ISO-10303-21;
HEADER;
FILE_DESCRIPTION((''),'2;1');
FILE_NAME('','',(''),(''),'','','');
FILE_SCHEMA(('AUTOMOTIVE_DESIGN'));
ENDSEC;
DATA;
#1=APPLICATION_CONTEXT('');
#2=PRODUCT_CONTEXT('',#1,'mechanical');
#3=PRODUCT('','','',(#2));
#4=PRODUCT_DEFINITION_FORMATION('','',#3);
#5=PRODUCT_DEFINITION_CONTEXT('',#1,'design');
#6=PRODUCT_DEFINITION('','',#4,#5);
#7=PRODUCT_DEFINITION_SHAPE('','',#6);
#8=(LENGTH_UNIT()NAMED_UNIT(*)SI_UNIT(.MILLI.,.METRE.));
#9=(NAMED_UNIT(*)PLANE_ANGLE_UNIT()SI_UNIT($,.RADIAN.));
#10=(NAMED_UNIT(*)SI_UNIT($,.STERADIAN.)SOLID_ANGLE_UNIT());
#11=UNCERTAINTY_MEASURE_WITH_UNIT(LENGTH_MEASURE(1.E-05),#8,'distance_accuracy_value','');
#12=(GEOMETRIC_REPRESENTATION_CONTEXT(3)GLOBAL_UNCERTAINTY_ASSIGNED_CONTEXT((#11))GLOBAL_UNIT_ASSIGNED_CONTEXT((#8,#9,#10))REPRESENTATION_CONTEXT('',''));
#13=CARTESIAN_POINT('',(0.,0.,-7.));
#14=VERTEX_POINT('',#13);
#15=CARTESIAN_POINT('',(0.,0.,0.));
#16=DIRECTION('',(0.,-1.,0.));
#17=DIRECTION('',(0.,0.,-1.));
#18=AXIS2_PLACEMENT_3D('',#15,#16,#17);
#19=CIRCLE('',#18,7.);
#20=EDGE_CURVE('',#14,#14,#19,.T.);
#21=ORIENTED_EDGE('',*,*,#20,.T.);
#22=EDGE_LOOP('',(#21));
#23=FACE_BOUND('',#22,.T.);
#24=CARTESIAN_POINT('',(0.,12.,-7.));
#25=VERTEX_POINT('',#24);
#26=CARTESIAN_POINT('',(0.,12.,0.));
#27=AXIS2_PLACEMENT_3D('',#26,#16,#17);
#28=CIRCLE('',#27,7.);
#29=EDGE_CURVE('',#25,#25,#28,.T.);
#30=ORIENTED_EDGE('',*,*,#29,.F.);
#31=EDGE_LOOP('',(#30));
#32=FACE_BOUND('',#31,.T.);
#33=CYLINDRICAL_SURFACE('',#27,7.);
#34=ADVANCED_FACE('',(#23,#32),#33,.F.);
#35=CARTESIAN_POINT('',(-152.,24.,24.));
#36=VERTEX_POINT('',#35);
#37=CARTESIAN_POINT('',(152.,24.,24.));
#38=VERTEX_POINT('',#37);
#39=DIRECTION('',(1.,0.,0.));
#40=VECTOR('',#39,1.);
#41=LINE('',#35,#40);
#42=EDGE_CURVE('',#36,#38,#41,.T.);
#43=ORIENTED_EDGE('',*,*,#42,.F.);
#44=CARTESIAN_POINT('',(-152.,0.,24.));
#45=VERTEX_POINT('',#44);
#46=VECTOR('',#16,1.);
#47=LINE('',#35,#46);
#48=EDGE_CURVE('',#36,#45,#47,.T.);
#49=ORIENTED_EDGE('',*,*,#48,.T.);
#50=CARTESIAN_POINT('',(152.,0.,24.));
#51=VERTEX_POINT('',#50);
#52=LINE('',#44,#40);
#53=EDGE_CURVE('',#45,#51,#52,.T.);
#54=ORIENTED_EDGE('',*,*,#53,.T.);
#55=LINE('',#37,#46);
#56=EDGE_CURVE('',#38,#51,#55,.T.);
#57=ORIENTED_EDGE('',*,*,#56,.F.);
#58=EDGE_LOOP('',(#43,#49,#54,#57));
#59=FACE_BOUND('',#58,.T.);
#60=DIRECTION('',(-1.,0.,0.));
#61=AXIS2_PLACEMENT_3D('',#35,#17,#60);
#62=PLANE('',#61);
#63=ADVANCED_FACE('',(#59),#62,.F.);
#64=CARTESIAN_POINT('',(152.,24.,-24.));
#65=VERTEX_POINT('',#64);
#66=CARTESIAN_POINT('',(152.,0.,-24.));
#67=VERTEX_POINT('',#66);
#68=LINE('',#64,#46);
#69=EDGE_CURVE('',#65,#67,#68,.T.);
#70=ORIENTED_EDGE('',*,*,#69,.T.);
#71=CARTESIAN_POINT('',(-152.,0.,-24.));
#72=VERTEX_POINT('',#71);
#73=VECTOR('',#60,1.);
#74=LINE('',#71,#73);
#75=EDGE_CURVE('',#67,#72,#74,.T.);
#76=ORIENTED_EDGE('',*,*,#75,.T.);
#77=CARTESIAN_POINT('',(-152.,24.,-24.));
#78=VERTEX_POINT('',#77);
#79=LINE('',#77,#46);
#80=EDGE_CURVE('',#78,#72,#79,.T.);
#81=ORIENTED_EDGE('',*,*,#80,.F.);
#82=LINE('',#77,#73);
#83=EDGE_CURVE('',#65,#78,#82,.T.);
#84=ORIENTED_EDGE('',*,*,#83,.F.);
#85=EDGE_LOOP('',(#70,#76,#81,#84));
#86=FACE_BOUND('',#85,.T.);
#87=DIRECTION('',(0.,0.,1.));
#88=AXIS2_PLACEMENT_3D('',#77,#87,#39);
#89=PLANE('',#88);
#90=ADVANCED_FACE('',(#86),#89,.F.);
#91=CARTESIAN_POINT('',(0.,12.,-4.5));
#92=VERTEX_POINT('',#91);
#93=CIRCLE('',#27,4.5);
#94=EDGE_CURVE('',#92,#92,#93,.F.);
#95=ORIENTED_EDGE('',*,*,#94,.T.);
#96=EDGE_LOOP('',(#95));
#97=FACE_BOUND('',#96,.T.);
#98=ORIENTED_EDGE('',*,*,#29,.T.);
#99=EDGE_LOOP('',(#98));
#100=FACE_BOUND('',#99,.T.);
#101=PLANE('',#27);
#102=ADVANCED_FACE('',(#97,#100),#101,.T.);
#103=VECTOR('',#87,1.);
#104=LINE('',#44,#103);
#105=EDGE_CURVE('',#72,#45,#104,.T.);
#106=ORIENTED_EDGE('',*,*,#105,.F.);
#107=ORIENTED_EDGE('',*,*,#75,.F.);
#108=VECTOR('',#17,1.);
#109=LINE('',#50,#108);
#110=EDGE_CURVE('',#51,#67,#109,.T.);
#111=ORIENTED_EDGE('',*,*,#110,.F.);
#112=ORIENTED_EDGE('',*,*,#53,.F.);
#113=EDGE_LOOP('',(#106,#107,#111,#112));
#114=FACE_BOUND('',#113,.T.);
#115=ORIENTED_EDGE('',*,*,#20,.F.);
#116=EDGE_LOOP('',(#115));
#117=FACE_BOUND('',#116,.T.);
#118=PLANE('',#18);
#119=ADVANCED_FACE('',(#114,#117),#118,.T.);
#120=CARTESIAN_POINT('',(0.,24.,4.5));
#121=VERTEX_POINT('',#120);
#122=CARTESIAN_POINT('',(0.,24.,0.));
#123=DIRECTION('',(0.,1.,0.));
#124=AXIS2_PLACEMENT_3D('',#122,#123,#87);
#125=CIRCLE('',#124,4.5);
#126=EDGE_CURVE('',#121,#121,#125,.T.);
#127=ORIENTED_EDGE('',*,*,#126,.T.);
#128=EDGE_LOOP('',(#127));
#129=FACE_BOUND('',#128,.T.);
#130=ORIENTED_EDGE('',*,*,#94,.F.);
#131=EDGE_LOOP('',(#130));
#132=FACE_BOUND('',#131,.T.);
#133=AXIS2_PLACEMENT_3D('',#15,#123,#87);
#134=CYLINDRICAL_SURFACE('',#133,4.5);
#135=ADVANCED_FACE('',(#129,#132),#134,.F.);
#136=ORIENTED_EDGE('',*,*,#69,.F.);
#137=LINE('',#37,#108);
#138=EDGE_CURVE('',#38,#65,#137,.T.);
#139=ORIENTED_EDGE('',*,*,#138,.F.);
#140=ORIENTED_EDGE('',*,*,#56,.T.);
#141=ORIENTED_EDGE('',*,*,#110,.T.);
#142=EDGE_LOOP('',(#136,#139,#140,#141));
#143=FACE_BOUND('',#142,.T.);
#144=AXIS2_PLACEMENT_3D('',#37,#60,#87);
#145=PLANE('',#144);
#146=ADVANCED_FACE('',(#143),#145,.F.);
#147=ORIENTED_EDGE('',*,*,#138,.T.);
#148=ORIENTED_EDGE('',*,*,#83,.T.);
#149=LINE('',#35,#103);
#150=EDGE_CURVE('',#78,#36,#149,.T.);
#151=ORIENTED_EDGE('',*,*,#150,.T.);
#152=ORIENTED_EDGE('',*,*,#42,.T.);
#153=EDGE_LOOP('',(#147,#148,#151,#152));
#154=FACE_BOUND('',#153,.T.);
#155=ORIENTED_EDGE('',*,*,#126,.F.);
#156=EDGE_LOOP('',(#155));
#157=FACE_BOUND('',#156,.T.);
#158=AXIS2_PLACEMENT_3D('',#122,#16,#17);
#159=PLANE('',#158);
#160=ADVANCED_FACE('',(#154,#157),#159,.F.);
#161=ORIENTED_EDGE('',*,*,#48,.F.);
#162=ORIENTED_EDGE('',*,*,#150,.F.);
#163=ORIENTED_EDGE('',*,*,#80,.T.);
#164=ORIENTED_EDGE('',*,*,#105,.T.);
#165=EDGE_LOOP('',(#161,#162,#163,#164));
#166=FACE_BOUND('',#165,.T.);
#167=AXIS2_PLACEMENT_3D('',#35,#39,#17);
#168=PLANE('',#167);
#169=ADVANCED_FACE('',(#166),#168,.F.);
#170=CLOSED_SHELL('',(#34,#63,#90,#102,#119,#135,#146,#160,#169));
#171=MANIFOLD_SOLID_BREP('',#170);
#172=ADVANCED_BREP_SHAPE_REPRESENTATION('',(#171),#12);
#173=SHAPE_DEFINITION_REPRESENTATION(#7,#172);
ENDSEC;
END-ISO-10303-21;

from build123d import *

# Parameters (mm, degrees)
ESQUISSE1_W             = 304
ESQUISSE1_H             = 48
BOSS_EXTRU_1_DEPTH      = 24
ESQUISSE2_R             = 4.5
ENL_V_MAT_EXTRU_1_DEPTH = 156.743378671
ESQUISSE3_R             = 7
ENL_V_MAT_EXTRU_2_DEPTH = 12


with BuildPart() as part:
    # Esquisse1 → Boss.-Extru.1 (new body)
    with BuildSketch(Plane(origin=(0, 0, 0), x_dir=(1, 0, 0), z_dir=(0, 1, 0))):
        Rectangle(ESQUISSE1_W, ESQUISSE1_H)
    extrude(amount=BOSS_EXTRU_1_DEPTH)

    # Esquisse2 → Enlèv. mat.-Extru.1 (cut, through all)
    with BuildSketch(Plane(origin=(0, 24, 0), x_dir=(1, 0, 0), z_dir=(0, 1, 0))):
        with Locations(Location((0, 0, 0), (0, 0, 270))):
            Circle(ESQUISSE2_R)
    extrude(amount=-ENL_V_MAT_EXTRU_1_DEPTH, mode=Mode.SUBTRACT)

    # Esquisse3 → Enlèv. mat.-Extru.2 (cut)
    with BuildSketch(Plane.XZ):
        with Locations(Location((0, 0, 0), (0, 0, 270))):
            Circle(ESQUISSE3_R)
    extrude(amount=-ENL_V_MAT_EXTRU_2_DEPTH, mode=Mode.SUBTRACT)


solid = part.part
